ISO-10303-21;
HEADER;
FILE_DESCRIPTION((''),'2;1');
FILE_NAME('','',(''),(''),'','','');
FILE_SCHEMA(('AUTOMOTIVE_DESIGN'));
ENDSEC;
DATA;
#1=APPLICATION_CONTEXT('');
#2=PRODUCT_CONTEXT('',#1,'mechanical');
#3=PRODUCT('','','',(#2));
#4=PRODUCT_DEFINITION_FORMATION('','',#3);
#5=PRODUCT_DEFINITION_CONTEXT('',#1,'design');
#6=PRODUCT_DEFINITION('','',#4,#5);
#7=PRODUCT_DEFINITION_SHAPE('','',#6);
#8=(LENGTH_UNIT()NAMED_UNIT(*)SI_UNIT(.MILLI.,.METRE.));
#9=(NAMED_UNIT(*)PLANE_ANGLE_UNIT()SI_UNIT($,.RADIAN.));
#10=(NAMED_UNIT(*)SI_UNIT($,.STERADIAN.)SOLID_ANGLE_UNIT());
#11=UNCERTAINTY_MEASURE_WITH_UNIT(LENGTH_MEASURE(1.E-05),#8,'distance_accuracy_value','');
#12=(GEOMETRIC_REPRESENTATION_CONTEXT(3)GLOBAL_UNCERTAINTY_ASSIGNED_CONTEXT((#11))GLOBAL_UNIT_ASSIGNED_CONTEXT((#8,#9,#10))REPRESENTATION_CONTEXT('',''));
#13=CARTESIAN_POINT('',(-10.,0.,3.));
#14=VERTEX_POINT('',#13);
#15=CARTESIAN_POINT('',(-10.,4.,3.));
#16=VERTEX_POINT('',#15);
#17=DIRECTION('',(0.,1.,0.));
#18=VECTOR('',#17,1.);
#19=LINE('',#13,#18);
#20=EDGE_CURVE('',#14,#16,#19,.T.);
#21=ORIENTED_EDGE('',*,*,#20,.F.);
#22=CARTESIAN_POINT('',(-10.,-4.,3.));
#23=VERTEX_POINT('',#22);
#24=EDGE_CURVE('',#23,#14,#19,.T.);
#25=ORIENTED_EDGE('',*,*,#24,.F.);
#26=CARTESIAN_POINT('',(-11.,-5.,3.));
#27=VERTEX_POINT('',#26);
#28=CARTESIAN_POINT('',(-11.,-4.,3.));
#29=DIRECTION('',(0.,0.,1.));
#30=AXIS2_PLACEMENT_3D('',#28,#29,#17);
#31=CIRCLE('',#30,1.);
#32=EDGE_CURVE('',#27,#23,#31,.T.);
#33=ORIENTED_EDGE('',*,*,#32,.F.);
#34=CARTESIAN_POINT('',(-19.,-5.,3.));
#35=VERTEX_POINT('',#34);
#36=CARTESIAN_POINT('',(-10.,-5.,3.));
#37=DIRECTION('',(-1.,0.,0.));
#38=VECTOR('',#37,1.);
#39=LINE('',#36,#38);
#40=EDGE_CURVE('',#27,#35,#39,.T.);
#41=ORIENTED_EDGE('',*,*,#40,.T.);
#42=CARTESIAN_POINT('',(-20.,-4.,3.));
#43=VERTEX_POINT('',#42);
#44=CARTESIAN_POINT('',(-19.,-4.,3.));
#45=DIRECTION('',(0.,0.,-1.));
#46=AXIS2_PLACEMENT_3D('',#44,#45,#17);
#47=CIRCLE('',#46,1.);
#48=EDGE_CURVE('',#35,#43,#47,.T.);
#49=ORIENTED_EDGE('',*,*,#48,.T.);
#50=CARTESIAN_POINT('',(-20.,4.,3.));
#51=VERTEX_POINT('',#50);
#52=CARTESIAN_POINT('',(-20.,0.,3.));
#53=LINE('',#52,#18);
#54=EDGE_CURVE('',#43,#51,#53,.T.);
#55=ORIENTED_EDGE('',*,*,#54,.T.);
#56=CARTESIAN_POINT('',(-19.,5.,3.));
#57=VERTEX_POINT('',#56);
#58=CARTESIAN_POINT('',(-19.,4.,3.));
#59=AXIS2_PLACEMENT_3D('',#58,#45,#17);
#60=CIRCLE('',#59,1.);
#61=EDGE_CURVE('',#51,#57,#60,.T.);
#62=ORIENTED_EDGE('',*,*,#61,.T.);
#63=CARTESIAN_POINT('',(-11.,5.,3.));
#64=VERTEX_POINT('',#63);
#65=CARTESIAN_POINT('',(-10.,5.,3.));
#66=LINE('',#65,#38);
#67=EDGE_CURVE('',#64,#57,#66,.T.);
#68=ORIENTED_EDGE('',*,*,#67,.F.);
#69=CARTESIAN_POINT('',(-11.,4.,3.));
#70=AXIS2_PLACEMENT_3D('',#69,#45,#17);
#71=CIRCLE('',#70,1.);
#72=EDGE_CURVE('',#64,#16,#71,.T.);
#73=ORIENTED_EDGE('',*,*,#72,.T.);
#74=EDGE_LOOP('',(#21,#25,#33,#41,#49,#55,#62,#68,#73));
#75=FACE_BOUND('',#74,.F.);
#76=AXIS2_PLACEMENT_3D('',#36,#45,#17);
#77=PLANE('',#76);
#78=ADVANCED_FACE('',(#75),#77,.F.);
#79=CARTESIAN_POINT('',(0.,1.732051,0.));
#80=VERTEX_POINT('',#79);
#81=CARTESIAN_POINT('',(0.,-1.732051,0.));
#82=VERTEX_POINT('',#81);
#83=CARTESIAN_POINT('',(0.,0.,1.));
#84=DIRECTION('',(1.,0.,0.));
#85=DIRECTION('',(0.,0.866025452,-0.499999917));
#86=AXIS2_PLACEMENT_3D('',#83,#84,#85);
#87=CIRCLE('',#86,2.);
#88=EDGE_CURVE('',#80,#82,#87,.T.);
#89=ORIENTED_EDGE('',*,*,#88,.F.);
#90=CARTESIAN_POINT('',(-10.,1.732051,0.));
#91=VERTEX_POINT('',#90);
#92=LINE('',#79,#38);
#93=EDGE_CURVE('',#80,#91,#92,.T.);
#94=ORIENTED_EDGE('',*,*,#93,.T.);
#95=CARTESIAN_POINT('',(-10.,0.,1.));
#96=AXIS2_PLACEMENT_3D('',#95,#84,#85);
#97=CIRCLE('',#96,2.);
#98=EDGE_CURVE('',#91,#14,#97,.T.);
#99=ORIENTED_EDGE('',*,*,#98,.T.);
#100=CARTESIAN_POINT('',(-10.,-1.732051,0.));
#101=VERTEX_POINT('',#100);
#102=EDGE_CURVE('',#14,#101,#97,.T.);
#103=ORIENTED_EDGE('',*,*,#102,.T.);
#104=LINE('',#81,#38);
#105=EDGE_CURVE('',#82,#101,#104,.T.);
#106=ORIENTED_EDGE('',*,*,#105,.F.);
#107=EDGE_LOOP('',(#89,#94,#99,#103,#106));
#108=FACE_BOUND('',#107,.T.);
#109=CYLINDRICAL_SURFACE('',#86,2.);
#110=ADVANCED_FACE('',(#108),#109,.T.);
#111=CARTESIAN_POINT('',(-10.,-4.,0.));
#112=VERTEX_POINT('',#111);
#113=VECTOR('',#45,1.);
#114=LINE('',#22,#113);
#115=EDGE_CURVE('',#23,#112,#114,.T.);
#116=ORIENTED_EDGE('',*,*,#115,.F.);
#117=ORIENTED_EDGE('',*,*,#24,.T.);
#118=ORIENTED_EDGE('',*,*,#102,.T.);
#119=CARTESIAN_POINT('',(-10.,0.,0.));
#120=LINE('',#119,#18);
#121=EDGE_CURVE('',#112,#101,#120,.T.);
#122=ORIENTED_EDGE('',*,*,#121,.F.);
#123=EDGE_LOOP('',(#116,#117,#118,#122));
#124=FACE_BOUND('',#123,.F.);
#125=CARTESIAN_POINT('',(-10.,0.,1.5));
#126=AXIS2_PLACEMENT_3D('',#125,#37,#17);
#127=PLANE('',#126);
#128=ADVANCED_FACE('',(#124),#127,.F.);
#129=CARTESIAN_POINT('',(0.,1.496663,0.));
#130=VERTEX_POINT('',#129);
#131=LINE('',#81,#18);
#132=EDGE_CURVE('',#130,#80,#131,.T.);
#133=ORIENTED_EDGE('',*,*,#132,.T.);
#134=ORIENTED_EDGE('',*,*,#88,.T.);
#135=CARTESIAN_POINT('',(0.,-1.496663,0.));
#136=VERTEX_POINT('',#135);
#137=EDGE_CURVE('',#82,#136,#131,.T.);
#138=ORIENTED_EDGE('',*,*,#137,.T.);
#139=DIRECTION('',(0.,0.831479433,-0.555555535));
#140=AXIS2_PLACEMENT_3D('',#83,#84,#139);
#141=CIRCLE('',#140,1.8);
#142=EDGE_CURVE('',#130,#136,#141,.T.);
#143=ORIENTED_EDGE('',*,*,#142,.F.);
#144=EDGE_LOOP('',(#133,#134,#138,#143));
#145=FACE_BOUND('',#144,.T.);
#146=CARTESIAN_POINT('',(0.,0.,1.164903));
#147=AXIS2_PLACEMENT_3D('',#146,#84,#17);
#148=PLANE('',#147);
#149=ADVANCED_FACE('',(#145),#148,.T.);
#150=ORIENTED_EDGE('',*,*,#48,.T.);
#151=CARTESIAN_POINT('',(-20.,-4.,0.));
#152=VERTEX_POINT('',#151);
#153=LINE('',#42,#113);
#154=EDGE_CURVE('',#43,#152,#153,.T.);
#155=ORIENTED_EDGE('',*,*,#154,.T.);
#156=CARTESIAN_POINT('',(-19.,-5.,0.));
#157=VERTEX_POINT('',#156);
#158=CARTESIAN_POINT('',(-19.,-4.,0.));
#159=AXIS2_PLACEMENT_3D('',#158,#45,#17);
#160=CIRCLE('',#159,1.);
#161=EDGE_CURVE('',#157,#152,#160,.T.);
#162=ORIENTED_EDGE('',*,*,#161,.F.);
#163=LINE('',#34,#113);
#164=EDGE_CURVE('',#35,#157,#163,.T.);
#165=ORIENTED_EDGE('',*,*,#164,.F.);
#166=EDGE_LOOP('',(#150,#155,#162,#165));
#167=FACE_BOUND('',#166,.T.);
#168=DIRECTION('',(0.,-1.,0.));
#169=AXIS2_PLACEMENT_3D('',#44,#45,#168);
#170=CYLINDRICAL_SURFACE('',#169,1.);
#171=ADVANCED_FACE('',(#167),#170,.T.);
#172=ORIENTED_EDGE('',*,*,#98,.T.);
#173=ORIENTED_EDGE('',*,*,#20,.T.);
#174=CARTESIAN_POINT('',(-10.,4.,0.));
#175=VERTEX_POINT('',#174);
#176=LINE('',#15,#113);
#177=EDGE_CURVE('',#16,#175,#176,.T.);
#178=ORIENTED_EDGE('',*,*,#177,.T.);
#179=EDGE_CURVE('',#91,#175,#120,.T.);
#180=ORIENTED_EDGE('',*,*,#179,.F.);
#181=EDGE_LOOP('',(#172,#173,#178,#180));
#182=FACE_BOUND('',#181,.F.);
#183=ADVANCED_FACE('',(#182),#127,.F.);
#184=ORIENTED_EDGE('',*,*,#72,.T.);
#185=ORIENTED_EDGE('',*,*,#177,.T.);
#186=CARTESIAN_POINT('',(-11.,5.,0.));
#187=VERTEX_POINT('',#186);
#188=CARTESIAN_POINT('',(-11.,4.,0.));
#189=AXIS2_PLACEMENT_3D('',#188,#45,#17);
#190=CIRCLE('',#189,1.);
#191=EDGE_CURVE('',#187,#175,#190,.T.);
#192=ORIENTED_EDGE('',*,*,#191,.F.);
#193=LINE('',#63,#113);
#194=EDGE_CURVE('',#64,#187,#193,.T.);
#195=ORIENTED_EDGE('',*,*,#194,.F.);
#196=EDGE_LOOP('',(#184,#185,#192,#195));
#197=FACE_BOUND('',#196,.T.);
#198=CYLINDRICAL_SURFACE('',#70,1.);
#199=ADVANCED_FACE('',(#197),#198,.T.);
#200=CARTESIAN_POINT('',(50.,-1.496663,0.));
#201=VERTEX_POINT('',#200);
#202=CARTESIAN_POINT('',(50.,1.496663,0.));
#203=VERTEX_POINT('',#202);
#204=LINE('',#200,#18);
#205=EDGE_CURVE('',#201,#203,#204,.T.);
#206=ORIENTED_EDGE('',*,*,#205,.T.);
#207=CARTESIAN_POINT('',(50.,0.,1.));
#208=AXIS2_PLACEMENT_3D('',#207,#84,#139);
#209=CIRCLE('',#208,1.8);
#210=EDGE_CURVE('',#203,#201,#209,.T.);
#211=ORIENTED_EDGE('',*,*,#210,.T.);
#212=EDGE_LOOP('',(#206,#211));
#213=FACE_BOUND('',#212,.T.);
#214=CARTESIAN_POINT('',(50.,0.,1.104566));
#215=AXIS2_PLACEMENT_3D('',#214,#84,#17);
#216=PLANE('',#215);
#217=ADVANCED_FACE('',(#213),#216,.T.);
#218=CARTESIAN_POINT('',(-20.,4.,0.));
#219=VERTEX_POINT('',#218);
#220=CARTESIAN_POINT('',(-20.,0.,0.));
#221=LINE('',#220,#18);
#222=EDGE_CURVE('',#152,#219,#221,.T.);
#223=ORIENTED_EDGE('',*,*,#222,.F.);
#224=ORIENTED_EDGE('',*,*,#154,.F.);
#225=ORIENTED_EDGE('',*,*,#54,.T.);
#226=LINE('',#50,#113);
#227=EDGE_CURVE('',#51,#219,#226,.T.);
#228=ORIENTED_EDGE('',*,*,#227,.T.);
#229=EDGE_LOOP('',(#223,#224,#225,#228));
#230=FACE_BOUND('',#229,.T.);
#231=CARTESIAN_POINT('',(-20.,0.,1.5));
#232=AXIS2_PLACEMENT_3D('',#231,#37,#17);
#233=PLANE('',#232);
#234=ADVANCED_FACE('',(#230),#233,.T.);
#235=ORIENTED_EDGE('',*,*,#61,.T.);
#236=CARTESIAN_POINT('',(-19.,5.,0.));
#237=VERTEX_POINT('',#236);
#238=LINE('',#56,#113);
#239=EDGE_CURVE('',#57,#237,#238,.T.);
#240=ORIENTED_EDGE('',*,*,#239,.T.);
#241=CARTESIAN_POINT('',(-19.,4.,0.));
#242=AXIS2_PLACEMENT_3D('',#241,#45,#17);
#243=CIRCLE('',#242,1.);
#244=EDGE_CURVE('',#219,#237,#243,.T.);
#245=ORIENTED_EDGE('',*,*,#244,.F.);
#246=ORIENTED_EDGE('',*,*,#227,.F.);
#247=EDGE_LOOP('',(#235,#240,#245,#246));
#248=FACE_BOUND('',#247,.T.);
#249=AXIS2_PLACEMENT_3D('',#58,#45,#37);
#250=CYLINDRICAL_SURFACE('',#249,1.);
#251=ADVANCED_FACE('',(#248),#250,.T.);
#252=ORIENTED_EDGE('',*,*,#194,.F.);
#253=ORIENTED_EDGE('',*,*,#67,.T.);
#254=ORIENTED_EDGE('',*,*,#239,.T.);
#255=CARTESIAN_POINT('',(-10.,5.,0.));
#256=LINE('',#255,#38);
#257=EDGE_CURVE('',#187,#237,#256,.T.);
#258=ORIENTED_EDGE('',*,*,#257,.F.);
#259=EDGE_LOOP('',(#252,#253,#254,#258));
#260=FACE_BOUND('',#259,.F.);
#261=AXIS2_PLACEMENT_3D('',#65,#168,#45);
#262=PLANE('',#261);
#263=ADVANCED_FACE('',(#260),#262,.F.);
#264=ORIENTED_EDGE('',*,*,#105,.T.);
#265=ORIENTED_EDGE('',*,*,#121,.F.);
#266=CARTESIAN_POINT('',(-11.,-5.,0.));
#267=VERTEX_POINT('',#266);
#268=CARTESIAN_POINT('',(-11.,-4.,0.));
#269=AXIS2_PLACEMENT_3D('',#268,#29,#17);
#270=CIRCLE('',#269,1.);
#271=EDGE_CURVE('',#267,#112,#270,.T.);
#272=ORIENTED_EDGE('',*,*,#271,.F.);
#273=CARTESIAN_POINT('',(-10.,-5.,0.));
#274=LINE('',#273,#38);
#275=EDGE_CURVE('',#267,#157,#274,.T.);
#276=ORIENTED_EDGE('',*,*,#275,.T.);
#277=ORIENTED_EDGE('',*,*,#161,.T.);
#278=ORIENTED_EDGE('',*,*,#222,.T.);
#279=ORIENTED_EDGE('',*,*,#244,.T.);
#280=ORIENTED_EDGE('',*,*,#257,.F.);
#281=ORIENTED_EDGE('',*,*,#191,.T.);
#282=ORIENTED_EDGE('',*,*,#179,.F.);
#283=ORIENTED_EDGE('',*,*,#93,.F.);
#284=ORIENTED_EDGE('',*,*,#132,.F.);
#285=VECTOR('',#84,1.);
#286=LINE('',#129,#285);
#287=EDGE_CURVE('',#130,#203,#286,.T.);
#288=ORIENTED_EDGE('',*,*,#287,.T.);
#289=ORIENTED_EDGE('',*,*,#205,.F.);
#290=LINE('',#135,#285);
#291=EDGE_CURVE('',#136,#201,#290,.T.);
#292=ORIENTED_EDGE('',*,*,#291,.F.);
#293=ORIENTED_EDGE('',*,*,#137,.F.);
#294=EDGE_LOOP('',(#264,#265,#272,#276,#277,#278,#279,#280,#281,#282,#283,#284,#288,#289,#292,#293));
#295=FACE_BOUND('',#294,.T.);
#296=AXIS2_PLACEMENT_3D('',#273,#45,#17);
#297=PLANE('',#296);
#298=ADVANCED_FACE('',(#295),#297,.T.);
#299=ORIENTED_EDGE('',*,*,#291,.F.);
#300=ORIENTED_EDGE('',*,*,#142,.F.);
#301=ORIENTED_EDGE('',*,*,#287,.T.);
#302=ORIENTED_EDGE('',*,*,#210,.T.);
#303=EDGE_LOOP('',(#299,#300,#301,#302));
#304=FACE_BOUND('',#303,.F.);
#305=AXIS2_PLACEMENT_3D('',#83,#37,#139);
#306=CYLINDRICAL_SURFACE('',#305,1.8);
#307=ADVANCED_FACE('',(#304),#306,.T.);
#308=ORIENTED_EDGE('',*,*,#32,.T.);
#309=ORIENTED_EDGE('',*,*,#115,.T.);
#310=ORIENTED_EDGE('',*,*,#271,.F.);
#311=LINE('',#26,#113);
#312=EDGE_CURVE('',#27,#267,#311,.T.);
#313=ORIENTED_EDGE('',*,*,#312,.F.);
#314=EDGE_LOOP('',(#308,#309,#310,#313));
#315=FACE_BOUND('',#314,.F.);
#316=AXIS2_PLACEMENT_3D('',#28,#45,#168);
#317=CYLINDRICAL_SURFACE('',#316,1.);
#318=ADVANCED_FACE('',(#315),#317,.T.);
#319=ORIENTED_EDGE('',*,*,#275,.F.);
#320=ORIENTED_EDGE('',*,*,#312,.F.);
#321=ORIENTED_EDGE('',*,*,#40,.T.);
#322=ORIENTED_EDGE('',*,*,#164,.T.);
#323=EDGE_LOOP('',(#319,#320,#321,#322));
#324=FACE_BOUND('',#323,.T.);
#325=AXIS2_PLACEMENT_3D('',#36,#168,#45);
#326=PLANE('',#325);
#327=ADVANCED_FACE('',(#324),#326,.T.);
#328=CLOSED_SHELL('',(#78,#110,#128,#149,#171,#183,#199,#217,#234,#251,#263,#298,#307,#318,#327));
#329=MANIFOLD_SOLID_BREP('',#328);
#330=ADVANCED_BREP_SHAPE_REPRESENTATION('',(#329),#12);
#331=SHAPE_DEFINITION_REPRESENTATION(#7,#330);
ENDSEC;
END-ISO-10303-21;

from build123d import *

# Parameters (mm, degrees)
PAD_DEPTH    = 50
PAD001_DEPTH = 10
SKETCH004_W  = 10
SKETCH004_H  = 3
PAD002_DEPTH = 10
FILLET_R     = 1


with BuildPart() as part:
    # Sketch → Pad (new body)
    with BuildSketch(Plane.YZ):
        with BuildLine():
            ThreePointArc((1.496663, 0), (0, 2.8), (-1.496663, 0))
            Line((-1.496663, 0), (1.496663, 0))
        make_face()
    extrude(amount=PAD_DEPTH)

    # Sketch003 → Pad001 (join)
    with BuildSketch(Plane.YZ):
        with BuildLine():
            ThreePointArc((1.732051, 0), (0, 3), (-1.732051, 0))
            Line((-1.732051, 0), (1.732051, 0))
        make_face()
    extrude(amount=-PAD001_DEPTH)

    # Sketch004 (on DatumPlane) → Pad002 (join)
    with BuildSketch(Plane(origin=(-10, 0, 0), x_dir=(0, 1, 0), z_dir=(-1, 0, 0))):
        with Locations((0, -1.5)):
            Rectangle(SKETCH004_W, SKETCH004_H)
    extrude(amount=PAD002_DEPTH)

    # Fillet
    fillet_edges = [part.edges().sort_by_distance(p)[0] for p in [
        (-20, 5, 1.5),
        (-10, 5, 1.5),
        (-10, -5, 1.5),
        (-20, -5, 1.5),
    ]]
    fillet(fillet_edges, radius=FILLET_R)


solid = part.part
